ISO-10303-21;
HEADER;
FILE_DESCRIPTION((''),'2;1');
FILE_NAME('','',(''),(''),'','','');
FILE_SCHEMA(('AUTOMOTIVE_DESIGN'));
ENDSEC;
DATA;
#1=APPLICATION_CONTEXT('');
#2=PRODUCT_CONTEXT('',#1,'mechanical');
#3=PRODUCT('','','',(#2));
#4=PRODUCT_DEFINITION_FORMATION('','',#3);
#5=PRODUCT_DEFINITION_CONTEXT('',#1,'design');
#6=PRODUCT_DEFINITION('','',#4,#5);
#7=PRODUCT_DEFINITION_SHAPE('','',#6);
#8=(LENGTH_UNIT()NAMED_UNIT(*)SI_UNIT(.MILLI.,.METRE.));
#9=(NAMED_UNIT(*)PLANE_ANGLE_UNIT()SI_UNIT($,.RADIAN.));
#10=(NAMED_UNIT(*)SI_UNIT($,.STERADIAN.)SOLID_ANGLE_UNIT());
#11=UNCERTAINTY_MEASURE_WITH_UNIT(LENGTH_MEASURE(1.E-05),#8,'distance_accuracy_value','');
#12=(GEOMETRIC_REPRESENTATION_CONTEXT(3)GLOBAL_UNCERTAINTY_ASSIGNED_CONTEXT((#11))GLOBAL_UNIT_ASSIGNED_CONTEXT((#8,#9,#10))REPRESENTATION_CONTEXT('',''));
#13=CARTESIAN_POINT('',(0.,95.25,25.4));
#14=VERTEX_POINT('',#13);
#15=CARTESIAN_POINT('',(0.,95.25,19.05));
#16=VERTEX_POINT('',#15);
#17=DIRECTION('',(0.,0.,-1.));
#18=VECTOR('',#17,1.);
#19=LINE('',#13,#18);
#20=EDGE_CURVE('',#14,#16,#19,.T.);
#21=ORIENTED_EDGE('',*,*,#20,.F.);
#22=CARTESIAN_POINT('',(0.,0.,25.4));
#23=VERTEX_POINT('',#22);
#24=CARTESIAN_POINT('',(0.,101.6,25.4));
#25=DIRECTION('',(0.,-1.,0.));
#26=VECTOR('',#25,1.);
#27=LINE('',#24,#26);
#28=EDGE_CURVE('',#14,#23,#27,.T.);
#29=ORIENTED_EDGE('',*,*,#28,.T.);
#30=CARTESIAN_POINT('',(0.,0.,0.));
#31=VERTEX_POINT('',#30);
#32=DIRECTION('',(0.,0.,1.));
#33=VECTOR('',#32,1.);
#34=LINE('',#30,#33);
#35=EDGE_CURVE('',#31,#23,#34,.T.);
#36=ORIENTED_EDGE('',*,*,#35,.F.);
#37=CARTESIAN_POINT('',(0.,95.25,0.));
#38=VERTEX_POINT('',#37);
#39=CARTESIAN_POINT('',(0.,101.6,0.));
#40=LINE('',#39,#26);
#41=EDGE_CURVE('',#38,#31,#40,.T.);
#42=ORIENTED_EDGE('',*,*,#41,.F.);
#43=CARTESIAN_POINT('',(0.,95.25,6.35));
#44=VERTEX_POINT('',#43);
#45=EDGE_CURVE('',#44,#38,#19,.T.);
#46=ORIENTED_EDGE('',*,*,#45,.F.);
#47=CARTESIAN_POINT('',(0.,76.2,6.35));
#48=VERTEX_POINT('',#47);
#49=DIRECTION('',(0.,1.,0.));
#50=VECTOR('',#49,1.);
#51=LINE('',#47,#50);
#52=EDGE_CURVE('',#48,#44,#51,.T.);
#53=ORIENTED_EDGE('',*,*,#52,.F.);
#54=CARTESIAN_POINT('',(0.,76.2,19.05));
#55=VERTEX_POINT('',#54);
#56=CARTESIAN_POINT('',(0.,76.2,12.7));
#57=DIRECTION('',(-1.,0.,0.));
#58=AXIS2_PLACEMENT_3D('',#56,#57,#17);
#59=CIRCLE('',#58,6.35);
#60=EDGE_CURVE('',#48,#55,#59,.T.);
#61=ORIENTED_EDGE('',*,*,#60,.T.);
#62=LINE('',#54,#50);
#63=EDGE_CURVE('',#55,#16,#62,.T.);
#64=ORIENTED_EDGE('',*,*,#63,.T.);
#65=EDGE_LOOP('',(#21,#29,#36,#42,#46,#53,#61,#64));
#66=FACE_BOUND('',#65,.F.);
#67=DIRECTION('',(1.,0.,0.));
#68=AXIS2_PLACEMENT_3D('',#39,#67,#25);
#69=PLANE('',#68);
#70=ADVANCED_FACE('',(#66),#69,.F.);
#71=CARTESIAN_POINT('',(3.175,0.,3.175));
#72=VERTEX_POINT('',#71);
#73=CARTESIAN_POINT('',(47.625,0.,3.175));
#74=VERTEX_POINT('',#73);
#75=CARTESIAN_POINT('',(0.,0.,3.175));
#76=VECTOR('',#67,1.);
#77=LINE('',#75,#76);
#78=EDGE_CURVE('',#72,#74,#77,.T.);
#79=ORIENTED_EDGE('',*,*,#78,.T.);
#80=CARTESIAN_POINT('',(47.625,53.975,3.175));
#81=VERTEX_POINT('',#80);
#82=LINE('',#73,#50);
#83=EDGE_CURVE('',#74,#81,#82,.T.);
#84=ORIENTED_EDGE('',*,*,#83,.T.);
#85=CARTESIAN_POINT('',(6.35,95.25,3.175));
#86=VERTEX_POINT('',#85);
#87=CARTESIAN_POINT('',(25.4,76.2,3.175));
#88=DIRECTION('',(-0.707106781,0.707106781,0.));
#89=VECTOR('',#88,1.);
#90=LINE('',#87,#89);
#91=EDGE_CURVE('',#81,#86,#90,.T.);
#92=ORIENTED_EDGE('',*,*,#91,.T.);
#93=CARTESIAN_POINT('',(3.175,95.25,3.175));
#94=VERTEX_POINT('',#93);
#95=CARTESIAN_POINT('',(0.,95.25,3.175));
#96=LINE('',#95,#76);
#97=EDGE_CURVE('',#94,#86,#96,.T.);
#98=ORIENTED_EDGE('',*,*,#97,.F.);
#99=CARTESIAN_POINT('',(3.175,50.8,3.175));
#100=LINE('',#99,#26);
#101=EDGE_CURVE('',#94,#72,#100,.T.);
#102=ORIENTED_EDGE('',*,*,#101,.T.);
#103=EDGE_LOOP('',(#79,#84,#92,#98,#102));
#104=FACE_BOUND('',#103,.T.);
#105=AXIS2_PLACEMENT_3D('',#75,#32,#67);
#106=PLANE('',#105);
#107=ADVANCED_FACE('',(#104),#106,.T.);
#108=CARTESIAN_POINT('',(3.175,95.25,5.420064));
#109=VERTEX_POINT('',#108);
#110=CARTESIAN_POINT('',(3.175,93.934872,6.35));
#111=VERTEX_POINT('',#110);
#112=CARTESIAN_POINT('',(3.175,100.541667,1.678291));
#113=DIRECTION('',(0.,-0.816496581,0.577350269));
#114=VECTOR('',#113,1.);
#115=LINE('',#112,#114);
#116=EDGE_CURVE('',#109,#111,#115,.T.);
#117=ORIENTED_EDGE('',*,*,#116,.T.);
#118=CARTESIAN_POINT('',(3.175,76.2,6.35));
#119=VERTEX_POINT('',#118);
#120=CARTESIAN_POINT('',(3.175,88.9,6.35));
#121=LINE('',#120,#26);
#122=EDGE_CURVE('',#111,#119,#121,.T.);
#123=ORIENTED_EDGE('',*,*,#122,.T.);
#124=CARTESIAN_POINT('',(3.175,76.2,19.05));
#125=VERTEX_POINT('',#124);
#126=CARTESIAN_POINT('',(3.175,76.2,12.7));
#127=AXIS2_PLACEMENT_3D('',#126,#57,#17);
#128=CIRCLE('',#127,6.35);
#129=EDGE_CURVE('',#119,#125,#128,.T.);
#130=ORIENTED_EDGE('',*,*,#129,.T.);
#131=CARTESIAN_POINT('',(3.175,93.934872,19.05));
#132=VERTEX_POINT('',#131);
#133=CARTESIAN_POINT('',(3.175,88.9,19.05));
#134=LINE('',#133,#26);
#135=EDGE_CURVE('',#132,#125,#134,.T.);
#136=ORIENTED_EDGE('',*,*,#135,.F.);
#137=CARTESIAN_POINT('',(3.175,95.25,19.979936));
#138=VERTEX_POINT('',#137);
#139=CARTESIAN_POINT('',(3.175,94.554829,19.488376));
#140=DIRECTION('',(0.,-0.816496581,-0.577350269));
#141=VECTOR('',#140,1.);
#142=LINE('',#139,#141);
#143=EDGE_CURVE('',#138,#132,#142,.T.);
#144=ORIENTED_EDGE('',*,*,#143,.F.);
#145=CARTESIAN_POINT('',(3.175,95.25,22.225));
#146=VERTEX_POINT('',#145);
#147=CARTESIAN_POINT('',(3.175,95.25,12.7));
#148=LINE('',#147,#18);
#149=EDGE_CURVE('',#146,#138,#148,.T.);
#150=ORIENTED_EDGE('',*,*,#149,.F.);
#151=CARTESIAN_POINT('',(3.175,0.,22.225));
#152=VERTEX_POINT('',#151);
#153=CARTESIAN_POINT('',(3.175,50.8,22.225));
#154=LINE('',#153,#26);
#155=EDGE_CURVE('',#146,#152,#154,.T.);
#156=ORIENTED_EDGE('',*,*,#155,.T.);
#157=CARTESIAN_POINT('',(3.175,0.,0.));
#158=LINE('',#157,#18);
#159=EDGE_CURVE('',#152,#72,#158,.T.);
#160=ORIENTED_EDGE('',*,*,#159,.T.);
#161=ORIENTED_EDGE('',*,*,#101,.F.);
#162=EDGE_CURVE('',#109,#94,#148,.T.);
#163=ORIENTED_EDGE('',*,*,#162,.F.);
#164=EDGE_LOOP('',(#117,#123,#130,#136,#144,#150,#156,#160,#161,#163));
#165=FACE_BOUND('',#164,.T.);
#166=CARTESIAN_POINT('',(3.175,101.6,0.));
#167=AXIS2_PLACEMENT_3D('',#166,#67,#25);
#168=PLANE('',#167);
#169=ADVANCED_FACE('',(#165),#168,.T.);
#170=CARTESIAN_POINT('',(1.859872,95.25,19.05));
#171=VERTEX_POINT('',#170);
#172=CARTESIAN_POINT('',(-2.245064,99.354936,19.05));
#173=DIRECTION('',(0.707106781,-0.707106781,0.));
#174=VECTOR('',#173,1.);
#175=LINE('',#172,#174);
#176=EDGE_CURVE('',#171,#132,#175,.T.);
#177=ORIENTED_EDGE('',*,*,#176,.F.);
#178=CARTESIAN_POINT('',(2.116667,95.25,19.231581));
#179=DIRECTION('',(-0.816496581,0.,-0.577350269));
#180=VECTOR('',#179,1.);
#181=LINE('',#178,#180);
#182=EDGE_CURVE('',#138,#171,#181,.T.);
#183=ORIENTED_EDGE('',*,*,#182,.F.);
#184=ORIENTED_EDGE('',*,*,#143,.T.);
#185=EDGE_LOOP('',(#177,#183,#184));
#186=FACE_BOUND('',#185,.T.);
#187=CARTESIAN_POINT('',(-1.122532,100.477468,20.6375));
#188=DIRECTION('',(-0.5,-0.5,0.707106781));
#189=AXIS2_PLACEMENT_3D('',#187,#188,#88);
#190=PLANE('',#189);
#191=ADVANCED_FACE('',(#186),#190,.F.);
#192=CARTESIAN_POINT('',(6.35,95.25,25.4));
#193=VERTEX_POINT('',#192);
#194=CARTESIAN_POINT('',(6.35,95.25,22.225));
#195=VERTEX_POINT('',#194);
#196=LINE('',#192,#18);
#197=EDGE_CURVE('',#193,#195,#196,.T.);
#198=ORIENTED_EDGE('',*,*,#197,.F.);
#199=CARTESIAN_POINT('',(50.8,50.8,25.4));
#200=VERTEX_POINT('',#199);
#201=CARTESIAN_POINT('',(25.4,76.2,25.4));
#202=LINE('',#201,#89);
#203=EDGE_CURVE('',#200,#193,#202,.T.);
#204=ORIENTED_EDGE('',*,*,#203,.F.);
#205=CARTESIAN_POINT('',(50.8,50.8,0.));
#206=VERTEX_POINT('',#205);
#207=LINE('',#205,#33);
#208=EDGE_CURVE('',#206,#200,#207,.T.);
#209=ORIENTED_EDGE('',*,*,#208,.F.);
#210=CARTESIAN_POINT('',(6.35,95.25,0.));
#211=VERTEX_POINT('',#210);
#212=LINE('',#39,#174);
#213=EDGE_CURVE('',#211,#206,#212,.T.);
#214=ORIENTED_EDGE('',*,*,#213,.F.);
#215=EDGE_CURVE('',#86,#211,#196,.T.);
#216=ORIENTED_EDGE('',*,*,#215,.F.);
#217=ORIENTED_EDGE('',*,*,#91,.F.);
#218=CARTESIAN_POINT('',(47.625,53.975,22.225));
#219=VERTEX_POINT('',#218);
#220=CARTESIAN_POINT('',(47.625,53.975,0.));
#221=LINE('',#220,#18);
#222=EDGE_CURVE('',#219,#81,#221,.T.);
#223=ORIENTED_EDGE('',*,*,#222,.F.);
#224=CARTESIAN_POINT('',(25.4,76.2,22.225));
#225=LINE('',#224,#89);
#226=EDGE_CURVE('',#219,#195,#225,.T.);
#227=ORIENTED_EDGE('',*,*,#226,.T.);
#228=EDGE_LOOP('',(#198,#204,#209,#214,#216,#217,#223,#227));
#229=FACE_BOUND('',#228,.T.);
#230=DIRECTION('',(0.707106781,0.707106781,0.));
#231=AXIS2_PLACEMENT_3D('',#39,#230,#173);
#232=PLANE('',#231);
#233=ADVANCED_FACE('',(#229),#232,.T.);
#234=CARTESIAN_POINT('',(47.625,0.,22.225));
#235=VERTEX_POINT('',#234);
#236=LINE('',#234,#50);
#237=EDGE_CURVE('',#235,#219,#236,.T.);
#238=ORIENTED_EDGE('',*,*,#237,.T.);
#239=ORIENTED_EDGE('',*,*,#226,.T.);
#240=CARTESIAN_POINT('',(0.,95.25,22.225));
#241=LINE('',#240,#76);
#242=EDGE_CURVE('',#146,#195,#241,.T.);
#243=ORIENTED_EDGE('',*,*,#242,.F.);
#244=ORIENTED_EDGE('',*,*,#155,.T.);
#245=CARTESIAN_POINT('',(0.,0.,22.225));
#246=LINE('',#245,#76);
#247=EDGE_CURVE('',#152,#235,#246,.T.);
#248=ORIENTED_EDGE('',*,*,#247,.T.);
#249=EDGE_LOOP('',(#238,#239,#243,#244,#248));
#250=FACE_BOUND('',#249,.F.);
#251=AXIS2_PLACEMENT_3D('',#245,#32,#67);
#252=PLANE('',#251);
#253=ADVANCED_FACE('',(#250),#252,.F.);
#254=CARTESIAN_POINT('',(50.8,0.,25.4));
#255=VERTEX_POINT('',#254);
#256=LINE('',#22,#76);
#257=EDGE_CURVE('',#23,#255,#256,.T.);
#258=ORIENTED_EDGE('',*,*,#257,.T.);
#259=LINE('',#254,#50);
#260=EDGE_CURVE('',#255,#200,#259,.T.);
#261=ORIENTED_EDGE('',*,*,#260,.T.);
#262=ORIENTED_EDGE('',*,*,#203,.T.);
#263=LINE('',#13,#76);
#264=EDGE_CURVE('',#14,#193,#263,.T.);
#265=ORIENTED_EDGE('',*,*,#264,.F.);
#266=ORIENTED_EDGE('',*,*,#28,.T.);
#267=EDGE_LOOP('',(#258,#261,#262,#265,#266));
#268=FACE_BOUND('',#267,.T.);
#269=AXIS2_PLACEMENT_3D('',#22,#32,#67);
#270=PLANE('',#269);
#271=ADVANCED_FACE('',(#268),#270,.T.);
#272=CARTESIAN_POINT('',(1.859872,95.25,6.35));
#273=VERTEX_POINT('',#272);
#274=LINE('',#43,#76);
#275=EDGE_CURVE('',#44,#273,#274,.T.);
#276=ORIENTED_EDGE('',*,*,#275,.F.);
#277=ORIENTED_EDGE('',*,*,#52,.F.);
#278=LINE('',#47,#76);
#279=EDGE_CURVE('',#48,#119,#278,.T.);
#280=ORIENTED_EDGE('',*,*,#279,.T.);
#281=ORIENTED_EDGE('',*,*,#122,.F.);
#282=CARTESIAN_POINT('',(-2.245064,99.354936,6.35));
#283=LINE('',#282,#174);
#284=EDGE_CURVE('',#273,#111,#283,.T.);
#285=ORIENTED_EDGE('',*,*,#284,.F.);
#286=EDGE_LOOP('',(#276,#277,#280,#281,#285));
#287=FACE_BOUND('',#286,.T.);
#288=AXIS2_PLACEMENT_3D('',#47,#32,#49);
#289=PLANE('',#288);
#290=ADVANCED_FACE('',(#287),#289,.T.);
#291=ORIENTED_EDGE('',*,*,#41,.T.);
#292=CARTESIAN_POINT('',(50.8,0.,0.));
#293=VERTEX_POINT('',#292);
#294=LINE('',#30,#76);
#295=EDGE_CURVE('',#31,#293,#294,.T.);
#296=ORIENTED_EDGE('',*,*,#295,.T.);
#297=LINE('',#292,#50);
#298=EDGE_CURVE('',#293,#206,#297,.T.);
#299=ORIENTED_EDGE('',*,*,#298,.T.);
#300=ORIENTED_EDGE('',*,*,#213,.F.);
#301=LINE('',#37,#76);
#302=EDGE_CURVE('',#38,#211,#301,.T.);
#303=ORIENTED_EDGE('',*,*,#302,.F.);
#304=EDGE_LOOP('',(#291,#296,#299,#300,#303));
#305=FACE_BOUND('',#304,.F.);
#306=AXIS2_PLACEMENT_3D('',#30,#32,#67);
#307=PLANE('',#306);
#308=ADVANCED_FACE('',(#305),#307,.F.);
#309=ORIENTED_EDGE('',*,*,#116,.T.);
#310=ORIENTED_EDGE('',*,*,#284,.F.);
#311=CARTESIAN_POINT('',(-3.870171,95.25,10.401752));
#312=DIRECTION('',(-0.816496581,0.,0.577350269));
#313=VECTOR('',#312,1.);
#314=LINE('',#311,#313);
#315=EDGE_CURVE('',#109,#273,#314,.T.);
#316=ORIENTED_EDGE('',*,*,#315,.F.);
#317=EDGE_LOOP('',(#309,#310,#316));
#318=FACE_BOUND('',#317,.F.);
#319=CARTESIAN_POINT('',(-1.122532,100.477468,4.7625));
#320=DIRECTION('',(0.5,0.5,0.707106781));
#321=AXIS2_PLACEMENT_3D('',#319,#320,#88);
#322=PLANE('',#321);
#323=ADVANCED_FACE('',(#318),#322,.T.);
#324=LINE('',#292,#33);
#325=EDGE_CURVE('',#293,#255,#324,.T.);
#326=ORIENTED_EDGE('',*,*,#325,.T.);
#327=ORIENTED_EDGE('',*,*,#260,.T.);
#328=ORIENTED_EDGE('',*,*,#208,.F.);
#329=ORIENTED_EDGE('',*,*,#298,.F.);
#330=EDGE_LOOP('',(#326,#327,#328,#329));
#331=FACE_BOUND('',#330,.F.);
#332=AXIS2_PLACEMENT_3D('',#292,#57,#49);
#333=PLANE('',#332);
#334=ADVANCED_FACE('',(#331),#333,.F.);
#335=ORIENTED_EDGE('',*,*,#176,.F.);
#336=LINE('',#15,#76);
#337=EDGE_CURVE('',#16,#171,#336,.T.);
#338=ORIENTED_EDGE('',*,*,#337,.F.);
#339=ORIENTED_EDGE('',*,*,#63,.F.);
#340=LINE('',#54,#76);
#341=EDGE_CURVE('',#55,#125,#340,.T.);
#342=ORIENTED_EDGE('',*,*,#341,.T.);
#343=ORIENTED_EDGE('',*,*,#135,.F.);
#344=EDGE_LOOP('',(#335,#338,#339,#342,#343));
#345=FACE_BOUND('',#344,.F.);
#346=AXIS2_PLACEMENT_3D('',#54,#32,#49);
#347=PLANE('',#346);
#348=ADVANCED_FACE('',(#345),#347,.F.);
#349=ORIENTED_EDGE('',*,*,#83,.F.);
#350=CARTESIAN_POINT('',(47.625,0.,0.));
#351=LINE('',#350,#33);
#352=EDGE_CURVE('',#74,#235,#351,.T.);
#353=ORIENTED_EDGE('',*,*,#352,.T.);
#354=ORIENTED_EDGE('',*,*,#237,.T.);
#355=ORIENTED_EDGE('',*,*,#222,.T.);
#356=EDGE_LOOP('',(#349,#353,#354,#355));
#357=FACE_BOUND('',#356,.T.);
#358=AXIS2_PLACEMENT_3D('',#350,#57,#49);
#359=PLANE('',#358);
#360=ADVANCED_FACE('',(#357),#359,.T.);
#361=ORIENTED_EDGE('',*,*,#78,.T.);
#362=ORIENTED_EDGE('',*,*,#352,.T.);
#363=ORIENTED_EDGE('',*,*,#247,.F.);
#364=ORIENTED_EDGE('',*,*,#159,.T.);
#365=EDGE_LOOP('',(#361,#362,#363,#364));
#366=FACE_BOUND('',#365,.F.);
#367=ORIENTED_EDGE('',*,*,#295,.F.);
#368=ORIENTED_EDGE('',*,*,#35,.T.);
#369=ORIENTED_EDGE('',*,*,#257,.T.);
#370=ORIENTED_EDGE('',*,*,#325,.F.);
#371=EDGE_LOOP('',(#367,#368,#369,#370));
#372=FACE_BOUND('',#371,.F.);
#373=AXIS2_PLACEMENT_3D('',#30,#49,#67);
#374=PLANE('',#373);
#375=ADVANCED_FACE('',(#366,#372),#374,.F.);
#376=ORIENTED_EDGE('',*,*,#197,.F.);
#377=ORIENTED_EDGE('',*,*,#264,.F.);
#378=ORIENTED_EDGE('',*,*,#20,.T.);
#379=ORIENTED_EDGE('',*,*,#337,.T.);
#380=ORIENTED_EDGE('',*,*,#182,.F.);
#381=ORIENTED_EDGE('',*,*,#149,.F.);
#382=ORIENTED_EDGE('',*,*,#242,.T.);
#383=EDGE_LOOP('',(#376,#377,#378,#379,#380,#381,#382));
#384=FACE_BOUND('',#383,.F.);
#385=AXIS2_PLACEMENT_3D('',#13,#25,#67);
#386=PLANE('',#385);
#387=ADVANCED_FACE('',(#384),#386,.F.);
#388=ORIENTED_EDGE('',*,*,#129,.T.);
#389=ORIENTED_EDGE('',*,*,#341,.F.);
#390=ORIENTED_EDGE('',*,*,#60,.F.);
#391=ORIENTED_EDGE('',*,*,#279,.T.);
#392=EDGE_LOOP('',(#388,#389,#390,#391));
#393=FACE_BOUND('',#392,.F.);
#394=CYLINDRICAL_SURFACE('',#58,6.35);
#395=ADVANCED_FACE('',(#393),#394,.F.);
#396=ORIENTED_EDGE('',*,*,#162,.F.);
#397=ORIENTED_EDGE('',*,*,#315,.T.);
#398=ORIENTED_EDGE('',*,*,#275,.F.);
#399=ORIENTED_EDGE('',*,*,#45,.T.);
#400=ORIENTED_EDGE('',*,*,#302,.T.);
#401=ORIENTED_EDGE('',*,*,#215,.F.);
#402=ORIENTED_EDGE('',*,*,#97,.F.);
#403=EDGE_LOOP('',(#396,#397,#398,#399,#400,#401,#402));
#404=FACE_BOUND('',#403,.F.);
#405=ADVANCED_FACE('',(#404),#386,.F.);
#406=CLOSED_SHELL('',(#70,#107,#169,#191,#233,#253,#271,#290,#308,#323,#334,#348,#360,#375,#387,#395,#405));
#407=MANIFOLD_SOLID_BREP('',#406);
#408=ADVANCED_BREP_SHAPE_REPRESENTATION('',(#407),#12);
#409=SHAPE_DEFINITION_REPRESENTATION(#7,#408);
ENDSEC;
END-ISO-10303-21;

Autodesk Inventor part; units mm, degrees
ref_plane "YZ Plane" through (0, 0, 0) normal (1, 0, 0) x (0, 1, 0)
ref_plane "XZ Plane" through (0, 0, 0) normal (0, 1, 0) x (-1, 0, 0)
ref_plane "XY Plane" through (0, 0, 0) normal (0, 0, 1) x (1, 0, 0)
sketch "Sketch1" plane through (0, 0, 0) normal (0, 0, 1) x (1, 0, 0)
  line L0 (0, 0) -> (50.8, 0)
  line L1 (50.8, 0) -> (50.8, 101.6)
  line L2 (50.8, 101.6) -> (0, 101.6)
  line L3 (0, 101.6) -> (0, 0)
  dimension "d3" = 50.8
  dimension "d4" = 101.6
extrude "Extrusion1" add sketch "Sketch1" along normal blind 25.4
shell "Shell1" thickness 3.175 removed faces 2 at (33.8667, 101.6, 16.9333) at (16.9333, 0, 16.9333)
sketch "Sketch2" plane through (0, 0, 0) normal (0, 0, -1) x (-1, 0, 0)
  line L0 (-50.8, 101.6) -> (0, 101.6) projected
  line L1 (-50.8, 0) -> (-50.8, 101.6) projected
  line L2 (-50.8, 50.8) -> (-50.8, 101.6)
  line L3 (-50.8, 101.6) -> (0, 101.6)
  line L4 (0, 101.6) -> (-50.8, 50.8)
  dimension "d5" = 50.8
extrude "Extrusion2" cut sketch "Sketch2" against normal through all
sketch "Sketch3" plane through (0, 0, 0) normal (-1, 0, 0) x (0, 0, 1)
  line L0 (0, 101.6) -> (25.4, 101.6) projected
  line L1 (0, 101.6) -> (0, 0) projected
  arc A0 (6.35, 76.2) -> (19.05, 76.2) centre (12.7, 76.2) ccw
  line L2 (6.35, 76.2) -> (6.35, 101.6)
  line L3 (19.05, 76.2) -> (19.05, 101.6)
  dimension "d8" = 25.4
  dimension "d9" = 6.35
  dimension "d10" = 12.7
extrude "Extrusion3" cut sketch "Sketch3" against normal through all
chamfer "Chamfer1" distance 3.175 angle 45 2 edges at (1.5875, 100.0125, 6.35) (1.5875, 100.0125, 19.05)
sketch "Sketch4" plane through (0, 0, 25.4) normal (0, 0, 1) x (1, 0, 0)
  line L0 (50.8, 50.8) -> (0, 101.6) projected
  line L1 (0, 0) -> (0, 101.6) projected
  line L2 (0, 101.6) -> (0, 95.25)
  line L3 (6.35, 95.25) -> (0, 101.6)
  line L4 (0, 95.25) -> (6.35, 95.25)
  dimension "d16" = 6.35
extrude "Extrusion4" cut sketch "Sketch4" against normal through all
properties part number "FrameSideBumperMounts" material "Aluminum-6061"
